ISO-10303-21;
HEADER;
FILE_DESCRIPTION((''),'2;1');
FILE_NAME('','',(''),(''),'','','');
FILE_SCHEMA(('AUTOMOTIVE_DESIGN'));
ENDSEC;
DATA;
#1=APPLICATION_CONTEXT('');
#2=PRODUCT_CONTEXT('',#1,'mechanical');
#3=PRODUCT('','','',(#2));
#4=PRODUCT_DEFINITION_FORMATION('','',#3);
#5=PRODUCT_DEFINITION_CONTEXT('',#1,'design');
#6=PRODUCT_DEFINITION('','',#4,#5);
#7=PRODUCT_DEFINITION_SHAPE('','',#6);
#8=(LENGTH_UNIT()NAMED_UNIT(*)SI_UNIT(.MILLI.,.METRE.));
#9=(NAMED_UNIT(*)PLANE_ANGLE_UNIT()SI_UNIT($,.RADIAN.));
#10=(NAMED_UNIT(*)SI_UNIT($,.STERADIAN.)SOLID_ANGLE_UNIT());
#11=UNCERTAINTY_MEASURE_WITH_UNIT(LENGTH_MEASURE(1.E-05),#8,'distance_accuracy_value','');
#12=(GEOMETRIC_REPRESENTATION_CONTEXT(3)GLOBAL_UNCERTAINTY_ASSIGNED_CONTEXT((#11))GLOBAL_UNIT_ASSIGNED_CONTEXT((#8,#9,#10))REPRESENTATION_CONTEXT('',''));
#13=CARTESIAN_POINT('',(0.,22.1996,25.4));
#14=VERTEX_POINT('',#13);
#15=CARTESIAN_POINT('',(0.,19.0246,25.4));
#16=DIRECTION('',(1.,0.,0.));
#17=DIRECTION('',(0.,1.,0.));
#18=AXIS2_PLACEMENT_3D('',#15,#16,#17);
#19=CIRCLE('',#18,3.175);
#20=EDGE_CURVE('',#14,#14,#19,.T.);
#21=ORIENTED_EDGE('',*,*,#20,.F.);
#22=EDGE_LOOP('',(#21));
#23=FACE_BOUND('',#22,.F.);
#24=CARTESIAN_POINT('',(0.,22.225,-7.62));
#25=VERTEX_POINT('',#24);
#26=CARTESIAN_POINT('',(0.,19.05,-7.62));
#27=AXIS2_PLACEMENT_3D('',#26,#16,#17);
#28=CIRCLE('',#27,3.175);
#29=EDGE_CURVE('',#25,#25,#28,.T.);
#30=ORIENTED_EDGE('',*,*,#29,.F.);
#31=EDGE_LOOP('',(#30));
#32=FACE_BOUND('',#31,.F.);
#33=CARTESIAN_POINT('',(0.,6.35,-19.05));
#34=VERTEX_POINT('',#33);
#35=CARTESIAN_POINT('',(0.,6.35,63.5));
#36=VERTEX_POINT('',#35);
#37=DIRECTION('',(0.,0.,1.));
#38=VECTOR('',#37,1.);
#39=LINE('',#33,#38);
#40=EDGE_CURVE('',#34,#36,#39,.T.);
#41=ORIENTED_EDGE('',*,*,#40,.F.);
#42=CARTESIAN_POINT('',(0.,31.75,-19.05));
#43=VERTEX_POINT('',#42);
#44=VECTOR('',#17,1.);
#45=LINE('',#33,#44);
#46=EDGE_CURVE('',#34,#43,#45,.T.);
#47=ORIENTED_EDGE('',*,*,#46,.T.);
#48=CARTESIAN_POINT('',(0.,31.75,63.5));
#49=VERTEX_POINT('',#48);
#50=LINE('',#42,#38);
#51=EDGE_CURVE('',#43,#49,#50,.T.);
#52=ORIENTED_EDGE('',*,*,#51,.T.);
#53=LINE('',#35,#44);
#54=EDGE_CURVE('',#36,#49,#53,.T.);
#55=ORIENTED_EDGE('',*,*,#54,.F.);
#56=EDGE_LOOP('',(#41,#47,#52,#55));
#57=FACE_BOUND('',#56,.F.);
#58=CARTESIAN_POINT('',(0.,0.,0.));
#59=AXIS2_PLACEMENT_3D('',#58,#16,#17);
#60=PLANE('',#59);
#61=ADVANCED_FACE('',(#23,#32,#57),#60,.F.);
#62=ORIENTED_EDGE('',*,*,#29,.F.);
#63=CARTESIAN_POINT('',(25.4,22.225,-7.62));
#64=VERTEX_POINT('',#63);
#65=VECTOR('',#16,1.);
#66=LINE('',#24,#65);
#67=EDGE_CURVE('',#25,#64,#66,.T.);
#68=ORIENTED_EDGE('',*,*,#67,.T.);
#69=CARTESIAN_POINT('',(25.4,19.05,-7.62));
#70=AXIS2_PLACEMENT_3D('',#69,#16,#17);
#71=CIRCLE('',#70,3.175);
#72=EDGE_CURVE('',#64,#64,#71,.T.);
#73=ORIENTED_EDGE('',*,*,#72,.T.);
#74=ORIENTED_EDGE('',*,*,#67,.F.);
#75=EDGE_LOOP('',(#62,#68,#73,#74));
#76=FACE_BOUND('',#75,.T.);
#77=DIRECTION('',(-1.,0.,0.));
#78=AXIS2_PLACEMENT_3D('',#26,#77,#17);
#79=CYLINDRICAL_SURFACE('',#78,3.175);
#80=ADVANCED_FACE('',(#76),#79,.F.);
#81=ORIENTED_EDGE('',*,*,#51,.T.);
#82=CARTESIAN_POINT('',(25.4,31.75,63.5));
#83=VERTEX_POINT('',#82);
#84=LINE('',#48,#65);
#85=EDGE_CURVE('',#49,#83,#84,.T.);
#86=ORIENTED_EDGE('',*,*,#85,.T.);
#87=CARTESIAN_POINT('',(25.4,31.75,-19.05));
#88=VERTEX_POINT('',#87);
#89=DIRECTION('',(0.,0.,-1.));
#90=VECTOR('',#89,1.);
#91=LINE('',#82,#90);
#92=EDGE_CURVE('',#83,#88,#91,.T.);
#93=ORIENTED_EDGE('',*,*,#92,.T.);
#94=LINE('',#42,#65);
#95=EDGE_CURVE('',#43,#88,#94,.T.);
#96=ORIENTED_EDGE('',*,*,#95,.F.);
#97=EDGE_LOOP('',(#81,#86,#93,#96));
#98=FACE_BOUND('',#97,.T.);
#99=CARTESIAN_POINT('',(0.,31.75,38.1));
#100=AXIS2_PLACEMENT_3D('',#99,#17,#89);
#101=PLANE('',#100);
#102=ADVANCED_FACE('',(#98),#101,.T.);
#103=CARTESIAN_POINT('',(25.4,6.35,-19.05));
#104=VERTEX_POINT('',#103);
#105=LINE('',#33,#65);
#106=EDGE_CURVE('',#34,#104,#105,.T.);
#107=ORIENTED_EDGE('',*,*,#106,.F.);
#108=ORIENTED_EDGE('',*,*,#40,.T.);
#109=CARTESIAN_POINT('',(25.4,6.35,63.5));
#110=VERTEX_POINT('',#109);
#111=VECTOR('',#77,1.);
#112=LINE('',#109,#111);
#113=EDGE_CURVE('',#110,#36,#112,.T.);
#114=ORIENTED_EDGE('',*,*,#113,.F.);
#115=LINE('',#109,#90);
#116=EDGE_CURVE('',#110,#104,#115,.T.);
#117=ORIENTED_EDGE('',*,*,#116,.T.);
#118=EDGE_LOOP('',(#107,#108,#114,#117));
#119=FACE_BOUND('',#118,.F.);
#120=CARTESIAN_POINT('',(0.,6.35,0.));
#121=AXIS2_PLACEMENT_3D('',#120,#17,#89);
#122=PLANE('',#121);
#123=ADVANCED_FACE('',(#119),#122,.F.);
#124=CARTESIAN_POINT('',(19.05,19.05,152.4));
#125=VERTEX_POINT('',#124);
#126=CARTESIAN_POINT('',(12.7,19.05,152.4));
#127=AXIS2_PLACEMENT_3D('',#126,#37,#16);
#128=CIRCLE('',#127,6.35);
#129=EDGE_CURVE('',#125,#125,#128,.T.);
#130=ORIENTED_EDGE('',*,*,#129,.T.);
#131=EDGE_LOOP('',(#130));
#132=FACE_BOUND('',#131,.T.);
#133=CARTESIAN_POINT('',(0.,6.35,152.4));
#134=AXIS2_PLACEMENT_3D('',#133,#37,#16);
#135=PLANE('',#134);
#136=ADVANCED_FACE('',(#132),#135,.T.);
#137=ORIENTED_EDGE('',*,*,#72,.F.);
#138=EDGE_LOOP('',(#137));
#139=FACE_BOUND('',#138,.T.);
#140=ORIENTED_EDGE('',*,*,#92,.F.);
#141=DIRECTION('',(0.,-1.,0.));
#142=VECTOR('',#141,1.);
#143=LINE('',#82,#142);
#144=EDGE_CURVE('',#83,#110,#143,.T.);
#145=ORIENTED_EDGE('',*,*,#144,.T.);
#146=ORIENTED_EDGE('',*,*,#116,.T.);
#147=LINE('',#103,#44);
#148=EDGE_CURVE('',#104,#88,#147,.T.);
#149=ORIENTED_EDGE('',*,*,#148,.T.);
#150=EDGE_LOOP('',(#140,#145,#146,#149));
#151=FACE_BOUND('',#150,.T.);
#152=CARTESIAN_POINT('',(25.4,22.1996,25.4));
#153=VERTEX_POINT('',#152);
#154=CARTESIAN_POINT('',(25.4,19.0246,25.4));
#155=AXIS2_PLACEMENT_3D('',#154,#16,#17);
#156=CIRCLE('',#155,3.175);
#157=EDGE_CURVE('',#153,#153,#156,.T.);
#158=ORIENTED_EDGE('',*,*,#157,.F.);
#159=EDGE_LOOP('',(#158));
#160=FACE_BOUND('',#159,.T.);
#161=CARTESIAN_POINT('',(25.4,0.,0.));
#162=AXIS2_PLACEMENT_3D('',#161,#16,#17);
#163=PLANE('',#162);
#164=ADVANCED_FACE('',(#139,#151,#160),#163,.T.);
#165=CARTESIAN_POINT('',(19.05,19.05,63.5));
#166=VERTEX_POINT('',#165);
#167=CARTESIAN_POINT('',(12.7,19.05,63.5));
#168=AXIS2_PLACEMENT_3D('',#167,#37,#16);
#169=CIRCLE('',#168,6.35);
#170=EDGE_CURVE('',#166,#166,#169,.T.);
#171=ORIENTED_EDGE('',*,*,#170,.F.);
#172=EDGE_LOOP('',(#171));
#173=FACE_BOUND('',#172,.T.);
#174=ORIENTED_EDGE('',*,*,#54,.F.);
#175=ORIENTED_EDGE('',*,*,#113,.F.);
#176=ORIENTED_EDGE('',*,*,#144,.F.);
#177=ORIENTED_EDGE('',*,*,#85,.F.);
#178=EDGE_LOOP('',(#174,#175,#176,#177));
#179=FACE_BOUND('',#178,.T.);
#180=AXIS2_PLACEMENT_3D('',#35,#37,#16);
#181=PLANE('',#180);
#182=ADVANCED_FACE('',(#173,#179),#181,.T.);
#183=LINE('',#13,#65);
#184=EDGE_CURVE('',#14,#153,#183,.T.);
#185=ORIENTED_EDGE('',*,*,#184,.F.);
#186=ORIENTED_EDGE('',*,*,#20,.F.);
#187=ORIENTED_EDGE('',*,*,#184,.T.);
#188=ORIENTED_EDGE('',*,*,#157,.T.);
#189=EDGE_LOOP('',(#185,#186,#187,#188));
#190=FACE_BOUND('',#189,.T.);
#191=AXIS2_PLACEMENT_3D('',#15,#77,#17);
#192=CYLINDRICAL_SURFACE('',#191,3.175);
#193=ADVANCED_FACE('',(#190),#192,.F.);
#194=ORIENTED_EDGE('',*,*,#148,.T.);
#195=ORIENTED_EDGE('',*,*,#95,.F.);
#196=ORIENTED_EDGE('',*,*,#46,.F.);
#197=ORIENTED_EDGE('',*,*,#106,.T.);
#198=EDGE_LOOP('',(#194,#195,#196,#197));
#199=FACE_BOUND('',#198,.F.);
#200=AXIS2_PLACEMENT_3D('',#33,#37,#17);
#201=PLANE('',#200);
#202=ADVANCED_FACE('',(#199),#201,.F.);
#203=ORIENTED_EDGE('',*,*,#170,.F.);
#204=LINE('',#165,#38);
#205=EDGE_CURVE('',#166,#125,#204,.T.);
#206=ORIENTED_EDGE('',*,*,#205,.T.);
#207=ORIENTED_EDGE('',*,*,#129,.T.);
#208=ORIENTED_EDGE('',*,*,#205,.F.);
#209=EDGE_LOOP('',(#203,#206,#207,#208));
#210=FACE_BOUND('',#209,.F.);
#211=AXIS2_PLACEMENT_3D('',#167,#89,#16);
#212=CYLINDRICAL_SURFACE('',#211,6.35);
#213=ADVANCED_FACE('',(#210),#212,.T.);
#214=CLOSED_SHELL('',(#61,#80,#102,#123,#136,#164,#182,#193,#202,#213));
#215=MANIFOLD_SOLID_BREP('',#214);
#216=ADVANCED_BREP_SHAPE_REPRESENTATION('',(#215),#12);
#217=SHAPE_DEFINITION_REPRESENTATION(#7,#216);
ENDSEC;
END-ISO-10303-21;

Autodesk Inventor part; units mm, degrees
ref_plane "YZ Plane" through (0, 0, 0) normal (1, 0, 0) x (0, 1, 0)
ref_plane "XZ Plane" through (0, 0, 0) normal (0, 1, 0) x (-1, 0, 0)
ref_plane "XY Plane" through (0, 0, 0) normal (0, 0, 1) x (1, 0, 0)
sketch "Sketch1" plane through (0, 0, 0) normal (1, 0, 0) x (0, 1, 0)
  line L0 (31.75, 38.1) -> (6.35, 38.1)
  line L1 (6.35, 38.1) -> (6.35, -19.05)
  line L2 (6.35, -19.05) -> (31.75, -19.05)
  circle A0 centre (19.0246, 25.4) radius 3.175
  line L3 (0, 0) -> (6.35, 0)
  line L4 (0, 14.2875) -> (0, -6.35)
  circle A1 centre (19.05, -7.62) radius 3.175
  line L5 (31.75, 38.1) -> (31.75, -25.4)
  point P0 (31.75, -19.05)
  dimension "d0" = 57.15
  dimension "d1" = 38.1
  dimension "d2" = 25.4
  dimension "d3" = 31.75
  dimension "d4" = 6.35
  dimension "d7" = 6.35
  dimension "d8" = 33.02
extrude "Extrusion1" add sketch "Sketch1" along normal blind 25.4
sketch "Sketch2" plane through (0, 6.35, 38.1) normal (0, 0, 1) x (1, 0, 0)
  line L0 (0, 25.4) -> (25.4, 25.4) projected
  line L1 (25.4, 0) -> (0, 0)
  line L2 (0, 0) -> (0, 25.4)
  line L3 (0, 25.4) -> (25.4, 25.4)
  line L4 (25.4, 25.4) -> (25.4, 0)
  point P0 (0, -6.35)
extrude "Extrusion2" add sketch "Sketch2" along normal blind 25.4
sketch "Sketch3" plane through (0, 6.35, 63.5) normal (0, 0, 1) x (1, 0, 0)
  circle A0 centre (12.7, 12.7) radius 6.35
  point P0 (0, -6.35)
  dimension "d18" = 12.7
extrude "Extrusion3" add sketch "Sketch3" along normal blind 88.9
properties part number "Base"
